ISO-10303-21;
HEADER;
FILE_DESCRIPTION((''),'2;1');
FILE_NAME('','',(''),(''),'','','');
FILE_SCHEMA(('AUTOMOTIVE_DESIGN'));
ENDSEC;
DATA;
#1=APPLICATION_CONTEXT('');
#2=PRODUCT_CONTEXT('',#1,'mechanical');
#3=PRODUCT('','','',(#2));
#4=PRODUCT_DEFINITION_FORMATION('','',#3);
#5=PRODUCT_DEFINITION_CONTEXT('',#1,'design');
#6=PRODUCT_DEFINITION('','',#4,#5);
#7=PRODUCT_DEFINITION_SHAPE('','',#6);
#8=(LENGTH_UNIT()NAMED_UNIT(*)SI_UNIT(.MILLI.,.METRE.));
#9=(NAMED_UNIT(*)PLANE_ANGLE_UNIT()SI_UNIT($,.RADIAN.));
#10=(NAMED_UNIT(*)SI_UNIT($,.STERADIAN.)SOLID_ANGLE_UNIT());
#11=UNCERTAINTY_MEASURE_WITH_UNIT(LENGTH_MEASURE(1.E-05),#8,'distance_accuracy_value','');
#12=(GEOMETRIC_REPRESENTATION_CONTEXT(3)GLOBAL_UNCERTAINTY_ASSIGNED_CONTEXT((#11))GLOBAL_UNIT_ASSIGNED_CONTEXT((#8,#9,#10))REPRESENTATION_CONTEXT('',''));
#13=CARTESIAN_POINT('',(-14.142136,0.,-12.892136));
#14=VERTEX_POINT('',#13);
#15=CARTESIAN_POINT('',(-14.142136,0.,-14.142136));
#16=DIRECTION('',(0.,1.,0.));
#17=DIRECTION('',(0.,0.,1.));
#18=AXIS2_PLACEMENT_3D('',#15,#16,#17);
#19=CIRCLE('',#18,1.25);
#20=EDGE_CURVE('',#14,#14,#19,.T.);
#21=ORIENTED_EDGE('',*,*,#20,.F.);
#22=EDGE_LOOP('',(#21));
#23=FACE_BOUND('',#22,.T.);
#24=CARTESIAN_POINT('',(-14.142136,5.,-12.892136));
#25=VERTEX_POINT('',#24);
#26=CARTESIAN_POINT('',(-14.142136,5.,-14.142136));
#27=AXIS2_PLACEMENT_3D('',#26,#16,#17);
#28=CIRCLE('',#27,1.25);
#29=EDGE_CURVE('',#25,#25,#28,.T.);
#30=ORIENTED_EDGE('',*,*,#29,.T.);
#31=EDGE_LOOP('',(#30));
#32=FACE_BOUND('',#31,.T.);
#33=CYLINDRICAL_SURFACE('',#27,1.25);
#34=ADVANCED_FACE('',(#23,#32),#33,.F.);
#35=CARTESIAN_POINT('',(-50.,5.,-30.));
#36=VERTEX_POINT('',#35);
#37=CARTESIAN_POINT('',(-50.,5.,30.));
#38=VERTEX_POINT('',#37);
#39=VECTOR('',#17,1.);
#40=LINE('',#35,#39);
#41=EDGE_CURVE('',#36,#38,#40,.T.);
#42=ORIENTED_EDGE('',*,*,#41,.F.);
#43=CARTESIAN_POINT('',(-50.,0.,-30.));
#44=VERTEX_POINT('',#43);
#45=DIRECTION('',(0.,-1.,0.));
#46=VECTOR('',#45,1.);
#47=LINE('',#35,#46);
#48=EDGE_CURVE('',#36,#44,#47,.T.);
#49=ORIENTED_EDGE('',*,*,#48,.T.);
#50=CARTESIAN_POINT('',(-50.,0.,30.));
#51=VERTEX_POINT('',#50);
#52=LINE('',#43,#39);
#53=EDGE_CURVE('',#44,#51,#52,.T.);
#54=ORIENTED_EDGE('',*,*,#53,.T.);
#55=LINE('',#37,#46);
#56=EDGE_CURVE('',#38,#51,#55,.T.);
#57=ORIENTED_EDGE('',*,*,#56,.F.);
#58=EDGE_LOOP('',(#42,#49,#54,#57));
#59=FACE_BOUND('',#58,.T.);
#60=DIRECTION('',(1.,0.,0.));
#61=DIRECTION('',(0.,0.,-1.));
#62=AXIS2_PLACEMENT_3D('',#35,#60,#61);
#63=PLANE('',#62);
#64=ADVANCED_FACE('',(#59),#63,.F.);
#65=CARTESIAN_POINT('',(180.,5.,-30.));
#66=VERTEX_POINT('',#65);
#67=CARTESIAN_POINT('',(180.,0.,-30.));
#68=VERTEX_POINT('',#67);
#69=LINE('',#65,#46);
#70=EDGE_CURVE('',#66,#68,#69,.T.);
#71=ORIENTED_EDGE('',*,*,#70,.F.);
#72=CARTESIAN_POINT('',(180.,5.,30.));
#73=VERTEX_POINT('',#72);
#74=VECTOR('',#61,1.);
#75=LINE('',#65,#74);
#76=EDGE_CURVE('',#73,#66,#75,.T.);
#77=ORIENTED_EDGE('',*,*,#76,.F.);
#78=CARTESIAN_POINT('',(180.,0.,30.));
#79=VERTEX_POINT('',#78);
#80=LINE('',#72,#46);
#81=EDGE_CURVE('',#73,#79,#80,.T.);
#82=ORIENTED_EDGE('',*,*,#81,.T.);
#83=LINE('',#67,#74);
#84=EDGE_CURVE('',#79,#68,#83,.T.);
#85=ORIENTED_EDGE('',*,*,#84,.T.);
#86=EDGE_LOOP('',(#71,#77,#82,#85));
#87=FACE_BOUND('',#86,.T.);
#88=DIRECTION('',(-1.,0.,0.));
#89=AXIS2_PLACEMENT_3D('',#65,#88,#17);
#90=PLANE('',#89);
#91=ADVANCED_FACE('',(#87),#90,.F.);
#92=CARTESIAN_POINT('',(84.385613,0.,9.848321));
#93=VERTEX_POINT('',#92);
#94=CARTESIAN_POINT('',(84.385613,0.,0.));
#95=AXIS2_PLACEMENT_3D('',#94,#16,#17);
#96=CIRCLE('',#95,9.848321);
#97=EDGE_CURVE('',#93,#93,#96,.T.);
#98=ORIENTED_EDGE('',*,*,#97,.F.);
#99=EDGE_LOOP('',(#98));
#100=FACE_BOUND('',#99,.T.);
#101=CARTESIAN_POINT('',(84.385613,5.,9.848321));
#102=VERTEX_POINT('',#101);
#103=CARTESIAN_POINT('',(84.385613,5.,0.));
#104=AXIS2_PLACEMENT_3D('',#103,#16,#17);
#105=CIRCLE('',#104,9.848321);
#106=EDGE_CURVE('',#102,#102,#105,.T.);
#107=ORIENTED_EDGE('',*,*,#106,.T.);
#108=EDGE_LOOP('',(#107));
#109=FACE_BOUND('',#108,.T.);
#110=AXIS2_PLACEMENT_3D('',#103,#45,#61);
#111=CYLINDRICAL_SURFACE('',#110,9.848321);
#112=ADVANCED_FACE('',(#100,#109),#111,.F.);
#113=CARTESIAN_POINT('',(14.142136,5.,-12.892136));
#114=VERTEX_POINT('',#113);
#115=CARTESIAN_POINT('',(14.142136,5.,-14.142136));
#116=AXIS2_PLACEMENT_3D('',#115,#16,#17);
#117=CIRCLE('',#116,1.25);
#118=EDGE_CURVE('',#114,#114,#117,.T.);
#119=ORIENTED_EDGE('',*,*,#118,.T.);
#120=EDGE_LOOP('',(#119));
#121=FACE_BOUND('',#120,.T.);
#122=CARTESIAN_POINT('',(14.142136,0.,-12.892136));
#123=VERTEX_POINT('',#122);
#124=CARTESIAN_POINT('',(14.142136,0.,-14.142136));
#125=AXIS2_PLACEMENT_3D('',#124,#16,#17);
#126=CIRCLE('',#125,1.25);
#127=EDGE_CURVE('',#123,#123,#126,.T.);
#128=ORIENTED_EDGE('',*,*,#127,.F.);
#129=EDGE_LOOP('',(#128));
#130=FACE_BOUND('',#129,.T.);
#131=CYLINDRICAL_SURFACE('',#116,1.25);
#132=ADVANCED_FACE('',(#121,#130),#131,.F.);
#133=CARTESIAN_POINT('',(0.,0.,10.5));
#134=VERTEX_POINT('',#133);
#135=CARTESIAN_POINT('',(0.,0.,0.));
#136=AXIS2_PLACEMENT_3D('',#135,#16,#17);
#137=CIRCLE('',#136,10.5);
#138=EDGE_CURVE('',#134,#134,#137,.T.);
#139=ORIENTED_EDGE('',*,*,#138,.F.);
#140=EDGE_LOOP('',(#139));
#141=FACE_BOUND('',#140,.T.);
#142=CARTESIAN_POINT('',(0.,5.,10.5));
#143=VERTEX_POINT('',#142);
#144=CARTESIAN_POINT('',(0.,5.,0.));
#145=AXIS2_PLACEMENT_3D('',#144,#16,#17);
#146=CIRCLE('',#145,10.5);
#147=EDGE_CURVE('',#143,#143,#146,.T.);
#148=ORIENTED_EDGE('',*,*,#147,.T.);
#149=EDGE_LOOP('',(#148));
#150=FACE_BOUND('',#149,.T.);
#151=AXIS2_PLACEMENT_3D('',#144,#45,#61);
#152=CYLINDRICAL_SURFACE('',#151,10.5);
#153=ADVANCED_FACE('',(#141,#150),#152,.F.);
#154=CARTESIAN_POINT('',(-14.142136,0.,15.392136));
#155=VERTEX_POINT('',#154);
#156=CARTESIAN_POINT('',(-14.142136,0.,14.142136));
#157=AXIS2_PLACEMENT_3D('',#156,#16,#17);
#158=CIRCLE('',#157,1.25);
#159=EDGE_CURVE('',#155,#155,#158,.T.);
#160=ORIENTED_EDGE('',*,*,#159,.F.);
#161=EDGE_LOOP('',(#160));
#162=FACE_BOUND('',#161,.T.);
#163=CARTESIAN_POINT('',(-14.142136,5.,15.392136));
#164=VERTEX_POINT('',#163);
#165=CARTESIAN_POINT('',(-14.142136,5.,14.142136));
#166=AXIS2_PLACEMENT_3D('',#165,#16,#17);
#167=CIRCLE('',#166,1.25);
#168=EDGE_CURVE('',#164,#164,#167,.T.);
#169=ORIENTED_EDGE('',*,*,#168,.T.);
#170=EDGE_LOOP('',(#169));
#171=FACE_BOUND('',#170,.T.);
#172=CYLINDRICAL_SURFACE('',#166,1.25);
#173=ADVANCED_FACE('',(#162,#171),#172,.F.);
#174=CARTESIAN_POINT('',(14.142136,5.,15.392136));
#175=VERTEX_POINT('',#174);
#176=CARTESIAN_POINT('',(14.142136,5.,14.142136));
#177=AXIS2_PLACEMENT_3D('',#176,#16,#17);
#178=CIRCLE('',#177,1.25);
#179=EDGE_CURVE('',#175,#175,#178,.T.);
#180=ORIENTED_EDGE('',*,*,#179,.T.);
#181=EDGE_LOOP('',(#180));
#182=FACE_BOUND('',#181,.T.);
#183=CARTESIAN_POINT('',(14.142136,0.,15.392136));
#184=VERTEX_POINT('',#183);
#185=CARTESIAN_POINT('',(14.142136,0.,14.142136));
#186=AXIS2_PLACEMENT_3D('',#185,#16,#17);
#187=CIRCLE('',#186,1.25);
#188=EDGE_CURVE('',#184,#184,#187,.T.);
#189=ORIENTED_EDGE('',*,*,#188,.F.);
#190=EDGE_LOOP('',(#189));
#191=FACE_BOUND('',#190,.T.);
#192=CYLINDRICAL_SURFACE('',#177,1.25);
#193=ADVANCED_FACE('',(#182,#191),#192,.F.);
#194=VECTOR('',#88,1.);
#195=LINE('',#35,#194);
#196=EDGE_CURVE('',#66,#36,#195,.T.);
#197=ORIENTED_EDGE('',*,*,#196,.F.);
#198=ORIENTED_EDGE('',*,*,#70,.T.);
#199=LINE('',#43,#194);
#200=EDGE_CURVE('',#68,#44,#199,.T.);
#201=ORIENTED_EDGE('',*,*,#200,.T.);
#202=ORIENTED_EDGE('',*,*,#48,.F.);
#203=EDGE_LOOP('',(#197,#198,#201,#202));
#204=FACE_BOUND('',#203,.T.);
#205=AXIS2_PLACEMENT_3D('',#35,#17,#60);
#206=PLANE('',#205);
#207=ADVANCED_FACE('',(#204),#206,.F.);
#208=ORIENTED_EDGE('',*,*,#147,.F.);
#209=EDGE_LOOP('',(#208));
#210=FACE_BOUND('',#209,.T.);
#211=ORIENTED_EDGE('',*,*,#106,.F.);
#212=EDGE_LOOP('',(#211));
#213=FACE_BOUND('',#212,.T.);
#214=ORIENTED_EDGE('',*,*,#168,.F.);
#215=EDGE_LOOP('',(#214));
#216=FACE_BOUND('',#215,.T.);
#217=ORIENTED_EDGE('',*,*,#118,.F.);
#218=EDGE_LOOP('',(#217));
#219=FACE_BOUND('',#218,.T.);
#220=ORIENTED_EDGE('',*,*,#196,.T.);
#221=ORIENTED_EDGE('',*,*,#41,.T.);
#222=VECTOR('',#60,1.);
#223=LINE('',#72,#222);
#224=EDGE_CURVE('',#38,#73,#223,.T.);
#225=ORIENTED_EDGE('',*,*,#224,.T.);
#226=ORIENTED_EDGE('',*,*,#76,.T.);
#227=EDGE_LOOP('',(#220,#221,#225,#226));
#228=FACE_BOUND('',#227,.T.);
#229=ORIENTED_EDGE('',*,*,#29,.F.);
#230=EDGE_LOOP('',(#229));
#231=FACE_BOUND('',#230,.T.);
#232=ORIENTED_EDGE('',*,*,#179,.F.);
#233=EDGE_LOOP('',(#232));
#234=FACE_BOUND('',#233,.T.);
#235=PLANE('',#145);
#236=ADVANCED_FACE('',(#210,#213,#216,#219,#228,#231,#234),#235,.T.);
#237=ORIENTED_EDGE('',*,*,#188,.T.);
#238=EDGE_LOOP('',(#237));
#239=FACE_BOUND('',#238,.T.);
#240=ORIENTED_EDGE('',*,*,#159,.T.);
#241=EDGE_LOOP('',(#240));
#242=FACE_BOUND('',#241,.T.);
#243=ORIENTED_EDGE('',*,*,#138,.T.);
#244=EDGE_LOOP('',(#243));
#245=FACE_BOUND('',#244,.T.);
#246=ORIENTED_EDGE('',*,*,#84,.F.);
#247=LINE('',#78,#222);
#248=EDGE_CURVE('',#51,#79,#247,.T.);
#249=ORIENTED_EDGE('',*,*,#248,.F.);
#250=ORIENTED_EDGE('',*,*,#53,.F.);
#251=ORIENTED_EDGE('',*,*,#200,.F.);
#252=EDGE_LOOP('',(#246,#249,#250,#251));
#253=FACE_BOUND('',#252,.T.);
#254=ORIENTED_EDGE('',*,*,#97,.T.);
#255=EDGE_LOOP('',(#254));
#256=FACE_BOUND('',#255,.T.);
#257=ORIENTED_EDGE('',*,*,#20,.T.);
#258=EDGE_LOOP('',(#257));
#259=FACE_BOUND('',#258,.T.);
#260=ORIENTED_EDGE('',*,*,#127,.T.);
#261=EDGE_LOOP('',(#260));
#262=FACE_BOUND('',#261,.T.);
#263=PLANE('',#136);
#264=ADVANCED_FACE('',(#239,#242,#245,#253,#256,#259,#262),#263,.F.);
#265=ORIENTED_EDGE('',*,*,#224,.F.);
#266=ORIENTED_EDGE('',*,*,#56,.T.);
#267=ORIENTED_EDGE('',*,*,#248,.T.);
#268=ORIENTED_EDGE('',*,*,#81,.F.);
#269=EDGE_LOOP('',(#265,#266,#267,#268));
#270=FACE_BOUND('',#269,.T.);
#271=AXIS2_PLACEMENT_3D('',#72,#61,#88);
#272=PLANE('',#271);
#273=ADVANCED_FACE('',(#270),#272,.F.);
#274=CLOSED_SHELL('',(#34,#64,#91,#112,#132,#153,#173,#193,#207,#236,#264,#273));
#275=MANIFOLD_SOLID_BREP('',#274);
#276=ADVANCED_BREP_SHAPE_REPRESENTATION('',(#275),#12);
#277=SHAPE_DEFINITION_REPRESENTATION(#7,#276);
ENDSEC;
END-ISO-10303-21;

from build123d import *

# Parameters (mm, degrees)
SKETCH1_W             = 230
SKETCH1_H             = 60
SKETCH1_R             = 10.5
SKETCH1_R_2           = 9.848320848
BOSS_EXTRUDE1_DEPTH   = 5
M3X0_5_TAPPED_HOLE1_D = 2.5


with BuildPart() as part:
    # Sketch1 → Boss-Extrude1 (new body)
    with BuildSketch(Plane(origin=(0, 0, 0), x_dir=(1, 0, 0), z_dir=(0, 1, 0))):
        with Locations((65, 0)):
            Rectangle(SKETCH1_W, SKETCH1_H)
        with Locations(Location((0, 0, 0), (0, 0, 270))):
            Circle(SKETCH1_R, mode=Mode.SUBTRACT)
        with Locations(Location((84.38561279, 0, 0), (0, 0, 270))):
            Circle(SKETCH1_R_2, mode=Mode.SUBTRACT)
    extrude(amount=BOSS_EXTRUDE1_DEPTH)

    # M3x0.5 Tapped Hole1 (through all)
    with Locations(Plane(origin=(0, 5, 0), x_dir=(1, 0, 0), z_dir=(0, 1, 0))):
        with Locations((-14.142135624, 14.142135624), (14.142135624, 14.142135624), (14.142135624, -14.142135624), (-14.142135624, -14.142135624), (0, 0)):
            Hole(M3X0_5_TAPPED_HOLE1_D / 2)


solid = part.part
